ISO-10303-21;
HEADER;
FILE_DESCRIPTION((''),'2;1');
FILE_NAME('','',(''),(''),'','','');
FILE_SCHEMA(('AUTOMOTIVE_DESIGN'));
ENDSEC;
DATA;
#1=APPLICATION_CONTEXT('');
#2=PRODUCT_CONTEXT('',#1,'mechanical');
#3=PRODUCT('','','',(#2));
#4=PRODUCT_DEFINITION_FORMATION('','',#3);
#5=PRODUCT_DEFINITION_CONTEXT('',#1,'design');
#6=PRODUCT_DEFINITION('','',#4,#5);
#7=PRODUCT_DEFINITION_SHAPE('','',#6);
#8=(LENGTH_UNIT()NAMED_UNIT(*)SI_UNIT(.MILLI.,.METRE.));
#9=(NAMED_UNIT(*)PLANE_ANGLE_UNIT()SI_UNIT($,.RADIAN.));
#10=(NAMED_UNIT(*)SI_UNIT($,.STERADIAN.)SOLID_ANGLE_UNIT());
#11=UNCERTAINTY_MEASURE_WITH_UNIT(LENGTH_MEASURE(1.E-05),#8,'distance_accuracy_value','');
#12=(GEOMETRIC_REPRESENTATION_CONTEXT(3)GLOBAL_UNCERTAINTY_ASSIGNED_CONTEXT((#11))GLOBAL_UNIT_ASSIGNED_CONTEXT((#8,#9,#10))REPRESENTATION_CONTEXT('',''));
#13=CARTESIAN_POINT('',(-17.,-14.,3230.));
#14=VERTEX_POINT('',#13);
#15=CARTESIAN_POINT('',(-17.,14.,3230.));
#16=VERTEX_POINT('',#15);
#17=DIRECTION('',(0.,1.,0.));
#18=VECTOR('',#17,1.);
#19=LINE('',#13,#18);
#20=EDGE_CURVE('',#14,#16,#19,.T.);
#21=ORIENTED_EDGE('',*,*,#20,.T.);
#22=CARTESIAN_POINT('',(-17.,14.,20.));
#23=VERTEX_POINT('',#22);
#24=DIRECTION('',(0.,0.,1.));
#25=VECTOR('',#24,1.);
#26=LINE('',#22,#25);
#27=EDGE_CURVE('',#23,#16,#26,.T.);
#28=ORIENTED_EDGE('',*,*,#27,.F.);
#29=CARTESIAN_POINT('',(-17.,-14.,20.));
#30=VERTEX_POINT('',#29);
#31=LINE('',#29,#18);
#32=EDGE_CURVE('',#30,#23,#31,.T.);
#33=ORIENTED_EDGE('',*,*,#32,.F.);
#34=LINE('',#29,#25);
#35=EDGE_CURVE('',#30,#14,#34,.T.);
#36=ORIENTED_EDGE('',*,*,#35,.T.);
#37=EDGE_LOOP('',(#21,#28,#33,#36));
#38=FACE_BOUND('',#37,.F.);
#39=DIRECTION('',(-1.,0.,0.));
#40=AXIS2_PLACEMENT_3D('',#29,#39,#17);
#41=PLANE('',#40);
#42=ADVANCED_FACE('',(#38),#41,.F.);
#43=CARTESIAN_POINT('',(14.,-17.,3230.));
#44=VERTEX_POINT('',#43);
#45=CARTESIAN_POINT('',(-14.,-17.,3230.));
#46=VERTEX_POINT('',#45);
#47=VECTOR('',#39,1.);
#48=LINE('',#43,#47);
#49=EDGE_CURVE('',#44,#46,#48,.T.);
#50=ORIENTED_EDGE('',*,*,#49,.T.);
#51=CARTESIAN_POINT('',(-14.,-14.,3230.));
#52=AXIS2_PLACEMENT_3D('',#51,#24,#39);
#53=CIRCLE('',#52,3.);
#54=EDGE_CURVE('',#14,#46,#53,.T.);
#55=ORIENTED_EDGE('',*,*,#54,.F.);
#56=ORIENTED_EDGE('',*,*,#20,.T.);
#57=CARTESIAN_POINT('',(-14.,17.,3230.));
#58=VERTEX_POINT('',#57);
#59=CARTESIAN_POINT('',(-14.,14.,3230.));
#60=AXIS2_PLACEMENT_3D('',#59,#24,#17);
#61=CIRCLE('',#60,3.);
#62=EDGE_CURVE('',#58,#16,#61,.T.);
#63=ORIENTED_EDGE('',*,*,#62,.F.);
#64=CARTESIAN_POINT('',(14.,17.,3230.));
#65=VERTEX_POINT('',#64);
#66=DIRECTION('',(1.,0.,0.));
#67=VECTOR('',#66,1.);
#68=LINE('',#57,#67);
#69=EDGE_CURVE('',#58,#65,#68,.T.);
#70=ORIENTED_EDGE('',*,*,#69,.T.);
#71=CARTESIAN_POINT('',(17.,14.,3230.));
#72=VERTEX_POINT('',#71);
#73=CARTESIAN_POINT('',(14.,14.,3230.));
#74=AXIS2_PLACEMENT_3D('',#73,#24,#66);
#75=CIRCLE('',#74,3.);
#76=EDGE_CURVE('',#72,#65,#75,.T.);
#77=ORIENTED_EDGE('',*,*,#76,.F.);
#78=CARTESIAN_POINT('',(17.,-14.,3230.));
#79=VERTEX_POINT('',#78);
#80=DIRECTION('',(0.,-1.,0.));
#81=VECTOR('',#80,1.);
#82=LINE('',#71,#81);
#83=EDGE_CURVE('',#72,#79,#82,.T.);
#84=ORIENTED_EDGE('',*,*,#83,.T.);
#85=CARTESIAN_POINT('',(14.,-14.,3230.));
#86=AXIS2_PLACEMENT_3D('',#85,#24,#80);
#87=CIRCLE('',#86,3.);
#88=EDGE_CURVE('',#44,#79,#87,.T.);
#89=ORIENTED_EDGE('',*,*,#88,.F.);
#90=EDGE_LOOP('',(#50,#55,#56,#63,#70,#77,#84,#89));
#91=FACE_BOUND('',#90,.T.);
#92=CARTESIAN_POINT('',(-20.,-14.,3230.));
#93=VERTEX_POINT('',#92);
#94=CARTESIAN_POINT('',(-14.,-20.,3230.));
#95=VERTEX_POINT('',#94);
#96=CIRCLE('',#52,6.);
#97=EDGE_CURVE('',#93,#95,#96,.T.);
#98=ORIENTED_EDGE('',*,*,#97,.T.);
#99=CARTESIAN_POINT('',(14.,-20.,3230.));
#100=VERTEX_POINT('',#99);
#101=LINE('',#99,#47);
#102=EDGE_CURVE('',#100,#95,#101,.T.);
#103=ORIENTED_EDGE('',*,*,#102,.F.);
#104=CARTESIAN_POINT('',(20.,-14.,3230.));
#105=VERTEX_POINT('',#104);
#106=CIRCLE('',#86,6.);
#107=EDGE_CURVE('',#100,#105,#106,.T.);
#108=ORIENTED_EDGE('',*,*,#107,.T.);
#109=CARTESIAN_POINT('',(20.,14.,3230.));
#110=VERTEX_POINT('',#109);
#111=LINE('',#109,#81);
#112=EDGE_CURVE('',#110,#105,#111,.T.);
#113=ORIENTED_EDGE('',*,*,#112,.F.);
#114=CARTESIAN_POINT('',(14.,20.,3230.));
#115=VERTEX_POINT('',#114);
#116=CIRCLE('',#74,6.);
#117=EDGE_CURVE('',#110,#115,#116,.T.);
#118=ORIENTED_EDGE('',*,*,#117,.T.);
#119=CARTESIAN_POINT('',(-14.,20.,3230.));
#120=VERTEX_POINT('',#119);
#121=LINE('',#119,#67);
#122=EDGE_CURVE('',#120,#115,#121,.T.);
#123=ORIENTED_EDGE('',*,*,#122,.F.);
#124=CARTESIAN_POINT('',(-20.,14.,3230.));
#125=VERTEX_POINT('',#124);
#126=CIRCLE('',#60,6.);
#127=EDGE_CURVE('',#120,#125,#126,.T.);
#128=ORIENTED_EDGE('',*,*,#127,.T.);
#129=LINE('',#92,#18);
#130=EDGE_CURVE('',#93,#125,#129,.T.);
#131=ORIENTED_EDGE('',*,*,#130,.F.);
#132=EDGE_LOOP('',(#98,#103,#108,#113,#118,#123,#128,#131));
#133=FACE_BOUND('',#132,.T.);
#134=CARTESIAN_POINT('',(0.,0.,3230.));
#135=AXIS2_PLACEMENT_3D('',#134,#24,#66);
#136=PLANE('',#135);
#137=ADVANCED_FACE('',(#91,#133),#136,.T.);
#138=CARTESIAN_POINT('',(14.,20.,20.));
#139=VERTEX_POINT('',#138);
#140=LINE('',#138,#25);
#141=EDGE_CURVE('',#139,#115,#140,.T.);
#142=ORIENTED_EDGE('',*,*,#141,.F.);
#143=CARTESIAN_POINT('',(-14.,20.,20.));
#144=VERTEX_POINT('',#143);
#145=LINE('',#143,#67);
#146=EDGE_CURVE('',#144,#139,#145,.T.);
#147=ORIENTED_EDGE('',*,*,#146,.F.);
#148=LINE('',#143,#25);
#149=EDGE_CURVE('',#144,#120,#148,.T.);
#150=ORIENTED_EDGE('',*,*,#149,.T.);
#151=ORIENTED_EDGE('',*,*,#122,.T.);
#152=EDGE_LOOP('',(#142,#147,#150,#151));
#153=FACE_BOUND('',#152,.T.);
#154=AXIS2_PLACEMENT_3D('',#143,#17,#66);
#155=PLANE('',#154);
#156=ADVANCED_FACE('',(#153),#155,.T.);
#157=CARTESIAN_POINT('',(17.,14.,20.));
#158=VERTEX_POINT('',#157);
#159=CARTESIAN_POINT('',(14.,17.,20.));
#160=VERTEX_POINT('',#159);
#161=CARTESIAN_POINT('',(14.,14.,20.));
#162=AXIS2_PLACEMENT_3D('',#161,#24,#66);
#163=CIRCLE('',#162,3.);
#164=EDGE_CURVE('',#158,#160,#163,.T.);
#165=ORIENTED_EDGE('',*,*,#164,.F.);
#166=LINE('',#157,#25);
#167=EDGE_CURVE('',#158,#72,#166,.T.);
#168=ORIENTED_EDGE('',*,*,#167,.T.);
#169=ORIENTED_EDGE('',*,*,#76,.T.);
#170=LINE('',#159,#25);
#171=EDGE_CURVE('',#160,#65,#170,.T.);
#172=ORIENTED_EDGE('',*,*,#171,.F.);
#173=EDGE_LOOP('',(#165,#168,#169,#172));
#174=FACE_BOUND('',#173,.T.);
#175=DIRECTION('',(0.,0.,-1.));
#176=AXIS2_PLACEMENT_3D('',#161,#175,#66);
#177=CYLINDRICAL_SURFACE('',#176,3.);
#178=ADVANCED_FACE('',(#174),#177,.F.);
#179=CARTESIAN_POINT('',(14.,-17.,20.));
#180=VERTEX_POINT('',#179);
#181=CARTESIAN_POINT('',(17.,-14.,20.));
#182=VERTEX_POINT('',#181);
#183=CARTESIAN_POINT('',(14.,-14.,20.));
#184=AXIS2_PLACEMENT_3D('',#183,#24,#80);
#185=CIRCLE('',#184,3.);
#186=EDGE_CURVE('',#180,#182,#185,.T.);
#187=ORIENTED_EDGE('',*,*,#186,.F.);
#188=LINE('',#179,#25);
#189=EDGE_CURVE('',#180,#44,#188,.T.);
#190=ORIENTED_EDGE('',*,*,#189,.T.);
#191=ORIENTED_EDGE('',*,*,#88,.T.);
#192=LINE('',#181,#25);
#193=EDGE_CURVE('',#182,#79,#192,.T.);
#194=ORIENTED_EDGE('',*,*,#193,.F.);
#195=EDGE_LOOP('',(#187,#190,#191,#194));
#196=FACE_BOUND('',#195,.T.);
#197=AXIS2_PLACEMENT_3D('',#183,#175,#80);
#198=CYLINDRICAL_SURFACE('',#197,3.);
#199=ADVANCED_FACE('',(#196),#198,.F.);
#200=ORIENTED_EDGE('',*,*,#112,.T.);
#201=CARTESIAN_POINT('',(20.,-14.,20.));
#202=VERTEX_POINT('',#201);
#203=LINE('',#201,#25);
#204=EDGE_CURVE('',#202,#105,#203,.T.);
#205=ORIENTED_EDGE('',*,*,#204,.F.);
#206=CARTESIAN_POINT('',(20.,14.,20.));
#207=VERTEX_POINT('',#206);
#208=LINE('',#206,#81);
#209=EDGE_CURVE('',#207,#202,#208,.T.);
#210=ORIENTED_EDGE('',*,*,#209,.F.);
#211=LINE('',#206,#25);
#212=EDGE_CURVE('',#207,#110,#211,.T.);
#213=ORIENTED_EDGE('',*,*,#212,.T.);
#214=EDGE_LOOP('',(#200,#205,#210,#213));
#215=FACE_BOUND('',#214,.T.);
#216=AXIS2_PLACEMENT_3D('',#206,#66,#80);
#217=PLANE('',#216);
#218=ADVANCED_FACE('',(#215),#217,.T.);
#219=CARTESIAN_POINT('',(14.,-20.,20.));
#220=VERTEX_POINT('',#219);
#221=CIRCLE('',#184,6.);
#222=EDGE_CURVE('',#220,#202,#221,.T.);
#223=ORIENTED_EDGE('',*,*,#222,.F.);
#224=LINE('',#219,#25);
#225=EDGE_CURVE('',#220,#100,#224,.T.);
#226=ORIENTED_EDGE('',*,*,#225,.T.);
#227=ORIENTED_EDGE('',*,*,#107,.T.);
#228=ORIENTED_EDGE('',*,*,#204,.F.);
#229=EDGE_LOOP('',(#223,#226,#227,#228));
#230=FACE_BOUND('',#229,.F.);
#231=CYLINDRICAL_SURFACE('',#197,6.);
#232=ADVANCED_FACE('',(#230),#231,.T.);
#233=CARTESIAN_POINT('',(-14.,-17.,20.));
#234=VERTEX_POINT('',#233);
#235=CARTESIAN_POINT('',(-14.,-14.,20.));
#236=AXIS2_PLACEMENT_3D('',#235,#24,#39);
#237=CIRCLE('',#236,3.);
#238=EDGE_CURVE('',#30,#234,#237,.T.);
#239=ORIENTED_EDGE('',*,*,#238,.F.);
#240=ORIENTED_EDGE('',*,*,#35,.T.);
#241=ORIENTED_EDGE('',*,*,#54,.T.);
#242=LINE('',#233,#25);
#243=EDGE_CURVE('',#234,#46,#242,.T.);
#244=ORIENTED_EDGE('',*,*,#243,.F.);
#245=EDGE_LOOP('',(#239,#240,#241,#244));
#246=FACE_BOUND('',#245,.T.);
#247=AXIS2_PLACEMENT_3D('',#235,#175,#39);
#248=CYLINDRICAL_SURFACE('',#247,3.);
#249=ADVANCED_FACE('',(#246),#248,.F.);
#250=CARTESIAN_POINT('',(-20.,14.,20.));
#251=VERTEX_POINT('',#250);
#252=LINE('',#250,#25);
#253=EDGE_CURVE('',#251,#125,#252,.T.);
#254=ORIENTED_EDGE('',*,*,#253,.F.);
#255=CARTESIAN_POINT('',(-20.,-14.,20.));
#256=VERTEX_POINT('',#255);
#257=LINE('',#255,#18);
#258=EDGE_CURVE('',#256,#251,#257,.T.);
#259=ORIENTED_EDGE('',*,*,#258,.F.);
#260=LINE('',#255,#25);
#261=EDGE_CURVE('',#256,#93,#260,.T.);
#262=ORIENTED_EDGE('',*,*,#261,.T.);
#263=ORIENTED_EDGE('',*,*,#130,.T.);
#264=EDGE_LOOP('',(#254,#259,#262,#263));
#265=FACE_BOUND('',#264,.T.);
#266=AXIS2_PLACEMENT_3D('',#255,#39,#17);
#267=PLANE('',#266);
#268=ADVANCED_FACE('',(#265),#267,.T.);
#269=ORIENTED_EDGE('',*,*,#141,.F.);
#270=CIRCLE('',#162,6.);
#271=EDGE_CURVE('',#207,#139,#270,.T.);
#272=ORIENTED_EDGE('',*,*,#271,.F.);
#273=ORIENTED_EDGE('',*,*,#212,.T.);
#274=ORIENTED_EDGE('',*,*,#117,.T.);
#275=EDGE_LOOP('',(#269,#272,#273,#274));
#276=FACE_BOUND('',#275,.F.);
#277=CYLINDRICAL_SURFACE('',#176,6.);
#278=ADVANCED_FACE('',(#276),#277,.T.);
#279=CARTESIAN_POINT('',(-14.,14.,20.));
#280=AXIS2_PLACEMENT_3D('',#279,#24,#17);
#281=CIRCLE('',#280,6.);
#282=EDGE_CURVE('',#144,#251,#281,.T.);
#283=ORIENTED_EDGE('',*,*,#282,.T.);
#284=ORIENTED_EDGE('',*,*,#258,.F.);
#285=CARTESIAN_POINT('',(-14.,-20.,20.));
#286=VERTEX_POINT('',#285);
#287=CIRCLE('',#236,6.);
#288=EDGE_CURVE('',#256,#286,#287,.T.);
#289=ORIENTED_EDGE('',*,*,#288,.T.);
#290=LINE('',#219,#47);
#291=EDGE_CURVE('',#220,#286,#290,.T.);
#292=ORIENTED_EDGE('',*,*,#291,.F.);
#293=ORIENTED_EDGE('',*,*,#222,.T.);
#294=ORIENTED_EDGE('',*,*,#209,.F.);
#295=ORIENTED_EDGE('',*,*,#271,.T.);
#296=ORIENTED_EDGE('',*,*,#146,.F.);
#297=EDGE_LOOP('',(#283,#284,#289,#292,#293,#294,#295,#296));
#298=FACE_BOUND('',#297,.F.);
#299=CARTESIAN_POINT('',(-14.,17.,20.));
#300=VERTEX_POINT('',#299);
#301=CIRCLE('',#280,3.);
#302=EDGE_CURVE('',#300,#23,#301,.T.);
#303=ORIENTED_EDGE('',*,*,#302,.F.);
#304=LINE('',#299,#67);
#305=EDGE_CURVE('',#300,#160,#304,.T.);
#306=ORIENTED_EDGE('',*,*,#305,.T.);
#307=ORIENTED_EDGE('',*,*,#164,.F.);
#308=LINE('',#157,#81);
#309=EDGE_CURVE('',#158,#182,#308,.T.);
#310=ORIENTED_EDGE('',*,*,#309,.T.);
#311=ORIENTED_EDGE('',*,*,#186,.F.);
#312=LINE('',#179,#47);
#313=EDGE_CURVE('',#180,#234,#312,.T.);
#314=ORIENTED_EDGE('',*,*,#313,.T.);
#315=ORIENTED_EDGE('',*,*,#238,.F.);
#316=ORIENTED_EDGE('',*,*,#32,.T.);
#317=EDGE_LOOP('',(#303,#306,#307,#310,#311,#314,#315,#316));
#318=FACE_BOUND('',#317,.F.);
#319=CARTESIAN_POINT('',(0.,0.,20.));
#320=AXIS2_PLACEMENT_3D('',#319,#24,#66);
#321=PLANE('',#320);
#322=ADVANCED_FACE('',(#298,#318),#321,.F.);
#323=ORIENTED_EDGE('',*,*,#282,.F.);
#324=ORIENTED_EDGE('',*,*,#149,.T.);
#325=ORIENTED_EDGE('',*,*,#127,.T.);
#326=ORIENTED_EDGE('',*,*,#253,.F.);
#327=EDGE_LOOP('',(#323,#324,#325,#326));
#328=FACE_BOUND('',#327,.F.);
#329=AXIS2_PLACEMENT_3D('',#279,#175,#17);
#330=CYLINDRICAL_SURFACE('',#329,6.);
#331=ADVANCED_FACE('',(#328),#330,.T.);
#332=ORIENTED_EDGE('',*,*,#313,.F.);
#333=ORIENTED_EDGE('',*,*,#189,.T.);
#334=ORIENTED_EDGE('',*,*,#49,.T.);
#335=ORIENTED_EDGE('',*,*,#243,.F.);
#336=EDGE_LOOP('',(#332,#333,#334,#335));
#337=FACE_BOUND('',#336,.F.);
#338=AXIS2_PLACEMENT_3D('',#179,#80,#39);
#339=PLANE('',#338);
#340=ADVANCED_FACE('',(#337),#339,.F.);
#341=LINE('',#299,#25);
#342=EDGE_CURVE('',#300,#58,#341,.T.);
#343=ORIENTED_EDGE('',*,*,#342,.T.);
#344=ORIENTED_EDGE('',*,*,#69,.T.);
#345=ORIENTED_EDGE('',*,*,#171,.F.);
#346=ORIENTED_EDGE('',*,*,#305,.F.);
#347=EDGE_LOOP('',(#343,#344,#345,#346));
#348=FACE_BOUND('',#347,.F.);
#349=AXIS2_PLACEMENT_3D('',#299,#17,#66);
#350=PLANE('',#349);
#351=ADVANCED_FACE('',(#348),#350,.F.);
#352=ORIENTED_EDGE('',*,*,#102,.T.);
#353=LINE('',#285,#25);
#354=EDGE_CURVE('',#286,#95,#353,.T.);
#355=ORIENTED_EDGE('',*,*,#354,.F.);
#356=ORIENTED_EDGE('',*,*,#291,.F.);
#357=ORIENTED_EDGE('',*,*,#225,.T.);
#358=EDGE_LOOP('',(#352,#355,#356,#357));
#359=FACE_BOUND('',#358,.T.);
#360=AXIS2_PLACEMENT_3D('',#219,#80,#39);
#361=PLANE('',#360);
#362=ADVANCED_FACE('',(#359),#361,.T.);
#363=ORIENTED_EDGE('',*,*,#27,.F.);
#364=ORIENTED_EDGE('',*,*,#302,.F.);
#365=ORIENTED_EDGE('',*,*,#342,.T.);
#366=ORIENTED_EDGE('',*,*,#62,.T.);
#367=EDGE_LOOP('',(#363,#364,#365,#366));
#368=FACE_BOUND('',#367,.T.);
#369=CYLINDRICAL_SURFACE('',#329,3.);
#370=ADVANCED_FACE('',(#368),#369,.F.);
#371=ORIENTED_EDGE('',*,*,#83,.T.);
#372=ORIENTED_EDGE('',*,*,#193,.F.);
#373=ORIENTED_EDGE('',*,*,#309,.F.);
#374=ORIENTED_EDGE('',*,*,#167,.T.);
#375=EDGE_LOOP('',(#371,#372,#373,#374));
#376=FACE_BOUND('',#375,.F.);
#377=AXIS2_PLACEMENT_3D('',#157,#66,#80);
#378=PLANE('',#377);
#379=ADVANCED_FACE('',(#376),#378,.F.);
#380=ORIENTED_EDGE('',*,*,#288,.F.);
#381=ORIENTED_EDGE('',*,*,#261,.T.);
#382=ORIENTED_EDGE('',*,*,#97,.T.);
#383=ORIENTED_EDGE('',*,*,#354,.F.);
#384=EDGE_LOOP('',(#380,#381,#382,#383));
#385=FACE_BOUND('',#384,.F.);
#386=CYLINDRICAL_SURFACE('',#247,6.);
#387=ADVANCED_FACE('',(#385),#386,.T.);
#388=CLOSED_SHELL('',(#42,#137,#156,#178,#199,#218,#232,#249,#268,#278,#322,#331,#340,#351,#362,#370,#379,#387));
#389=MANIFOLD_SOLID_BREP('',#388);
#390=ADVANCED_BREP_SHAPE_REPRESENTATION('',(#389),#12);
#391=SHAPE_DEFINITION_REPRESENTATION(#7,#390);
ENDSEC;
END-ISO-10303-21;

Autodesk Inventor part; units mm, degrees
ref_plane "Start Plane" through (0, 0, 20) normal (0, 0, 1) x (1, 0, 0)
ref_plane "End Plane" through (0, 0, 3230) normal (0, 0, 1) x (1, 0, 0)
sketch "Sketch" plane through (0, 0, 0) normal (0, 0, 1) x (1, 0, 0)
  line L0 (-20, -14) -> (-20, 14)
  line L1 (-14, 20) -> (14, 20)
  line L2 (20, 14) -> (20, -14)
  line L3 (14, -20) -> (-14, -20)
  arc A0 (-20, -14) -> (-14, -20) centre (-14, -14) ccw
  arc A1 (20, 14) -> (14, 20) centre (14, 14) ccw
  arc A2 (-14, 20) -> (-20, 14) centre (-14, 14) ccw
  arc A3 (14, -20) -> (20, -14) centre (14, -14) ccw
  arc A4 (-14, 17) -> (-17, 14) centre (-14, 14) ccw
  line L4 (-14, 17) -> (14, 17)
  arc A5 (17, 14) -> (14, 17) centre (14, 14) ccw
  line L5 (17, 14) -> (17, -14)
  arc A6 (14, -17) -> (17, -14) centre (14, -14) ccw
  line L6 (14, -17) -> (-14, -17)
  arc A7 (-17, -14) -> (-14, -17) centre (-14, -14) ccw
  line L7 (-17, -14) -> (-17, 14)
  line L8 (0, 29.7397) -> (0, -29.7397) construction
  line L9 (-29.7397, 0) -> (29.7397, 0) construction
  dimension "d7" = 6
  dimension "d9" = 40
  dimension "d11" = 40
  dimension "d12" = 3
  dimension "d15" = 20
  dimension "d16" = 20
extrude "Body" add sketch "Sketch" along normal up to surface (3210 mm away) from surface at 20
sketch "Sketch3" plane through (0, 0, 0) normal (0, 0, 1) x (1, 0, 0)
  line L0 (0, 0) -> (10, 0)
ref_plane "Work Plane3" through (0, 0, 0) normal (0, -1, 0) x (1, 0, 0)
ref_plane "Work Plane4" through (856, -12, 3230) normal (0, 0, 1) x (1, 0, 0)
split "Split1" plane through (856, -12, 3230) removes the side toward (0, 0, 1)
ref_plane "Work Plane5" through (-1144, -12, 20) normal (0, 0, -1) x (-1, 0, 0)
split "Split2" plane through (-1144, -12, 20) removes the side toward (0, 0, -1)
sketch "Sketch4" plane through (0, 0, 0) normal (0, -1, 0) x (1, 0, 0)
  line L0 (-2, 20) -> (12, 20) projected
  line L1 (-2, 3230) -> (12, 3230) projected
  dimension "d18" = 3210
equation "\"d7\" = G_IR"
equation "\"d9\" = G_W"
equation "\"d11\" = G_H"
equation "\"d12\" = G_T"
equation "\"d15\" = 0.5 * d9"
equation "\"d16\" = 0.5 * d11"
equation "\"d3\" = G_L"
equation "\"G_W\" = 40"
equation "\"G_H\" = 40"
equation "\"G_T\" = 3"
equation "\"G_IR\" = 6"
equation "\"G_L\" = d18"
properties part number "ISO 10799-2 - 40x40x3 - 3210" material "Steel, Mild"
